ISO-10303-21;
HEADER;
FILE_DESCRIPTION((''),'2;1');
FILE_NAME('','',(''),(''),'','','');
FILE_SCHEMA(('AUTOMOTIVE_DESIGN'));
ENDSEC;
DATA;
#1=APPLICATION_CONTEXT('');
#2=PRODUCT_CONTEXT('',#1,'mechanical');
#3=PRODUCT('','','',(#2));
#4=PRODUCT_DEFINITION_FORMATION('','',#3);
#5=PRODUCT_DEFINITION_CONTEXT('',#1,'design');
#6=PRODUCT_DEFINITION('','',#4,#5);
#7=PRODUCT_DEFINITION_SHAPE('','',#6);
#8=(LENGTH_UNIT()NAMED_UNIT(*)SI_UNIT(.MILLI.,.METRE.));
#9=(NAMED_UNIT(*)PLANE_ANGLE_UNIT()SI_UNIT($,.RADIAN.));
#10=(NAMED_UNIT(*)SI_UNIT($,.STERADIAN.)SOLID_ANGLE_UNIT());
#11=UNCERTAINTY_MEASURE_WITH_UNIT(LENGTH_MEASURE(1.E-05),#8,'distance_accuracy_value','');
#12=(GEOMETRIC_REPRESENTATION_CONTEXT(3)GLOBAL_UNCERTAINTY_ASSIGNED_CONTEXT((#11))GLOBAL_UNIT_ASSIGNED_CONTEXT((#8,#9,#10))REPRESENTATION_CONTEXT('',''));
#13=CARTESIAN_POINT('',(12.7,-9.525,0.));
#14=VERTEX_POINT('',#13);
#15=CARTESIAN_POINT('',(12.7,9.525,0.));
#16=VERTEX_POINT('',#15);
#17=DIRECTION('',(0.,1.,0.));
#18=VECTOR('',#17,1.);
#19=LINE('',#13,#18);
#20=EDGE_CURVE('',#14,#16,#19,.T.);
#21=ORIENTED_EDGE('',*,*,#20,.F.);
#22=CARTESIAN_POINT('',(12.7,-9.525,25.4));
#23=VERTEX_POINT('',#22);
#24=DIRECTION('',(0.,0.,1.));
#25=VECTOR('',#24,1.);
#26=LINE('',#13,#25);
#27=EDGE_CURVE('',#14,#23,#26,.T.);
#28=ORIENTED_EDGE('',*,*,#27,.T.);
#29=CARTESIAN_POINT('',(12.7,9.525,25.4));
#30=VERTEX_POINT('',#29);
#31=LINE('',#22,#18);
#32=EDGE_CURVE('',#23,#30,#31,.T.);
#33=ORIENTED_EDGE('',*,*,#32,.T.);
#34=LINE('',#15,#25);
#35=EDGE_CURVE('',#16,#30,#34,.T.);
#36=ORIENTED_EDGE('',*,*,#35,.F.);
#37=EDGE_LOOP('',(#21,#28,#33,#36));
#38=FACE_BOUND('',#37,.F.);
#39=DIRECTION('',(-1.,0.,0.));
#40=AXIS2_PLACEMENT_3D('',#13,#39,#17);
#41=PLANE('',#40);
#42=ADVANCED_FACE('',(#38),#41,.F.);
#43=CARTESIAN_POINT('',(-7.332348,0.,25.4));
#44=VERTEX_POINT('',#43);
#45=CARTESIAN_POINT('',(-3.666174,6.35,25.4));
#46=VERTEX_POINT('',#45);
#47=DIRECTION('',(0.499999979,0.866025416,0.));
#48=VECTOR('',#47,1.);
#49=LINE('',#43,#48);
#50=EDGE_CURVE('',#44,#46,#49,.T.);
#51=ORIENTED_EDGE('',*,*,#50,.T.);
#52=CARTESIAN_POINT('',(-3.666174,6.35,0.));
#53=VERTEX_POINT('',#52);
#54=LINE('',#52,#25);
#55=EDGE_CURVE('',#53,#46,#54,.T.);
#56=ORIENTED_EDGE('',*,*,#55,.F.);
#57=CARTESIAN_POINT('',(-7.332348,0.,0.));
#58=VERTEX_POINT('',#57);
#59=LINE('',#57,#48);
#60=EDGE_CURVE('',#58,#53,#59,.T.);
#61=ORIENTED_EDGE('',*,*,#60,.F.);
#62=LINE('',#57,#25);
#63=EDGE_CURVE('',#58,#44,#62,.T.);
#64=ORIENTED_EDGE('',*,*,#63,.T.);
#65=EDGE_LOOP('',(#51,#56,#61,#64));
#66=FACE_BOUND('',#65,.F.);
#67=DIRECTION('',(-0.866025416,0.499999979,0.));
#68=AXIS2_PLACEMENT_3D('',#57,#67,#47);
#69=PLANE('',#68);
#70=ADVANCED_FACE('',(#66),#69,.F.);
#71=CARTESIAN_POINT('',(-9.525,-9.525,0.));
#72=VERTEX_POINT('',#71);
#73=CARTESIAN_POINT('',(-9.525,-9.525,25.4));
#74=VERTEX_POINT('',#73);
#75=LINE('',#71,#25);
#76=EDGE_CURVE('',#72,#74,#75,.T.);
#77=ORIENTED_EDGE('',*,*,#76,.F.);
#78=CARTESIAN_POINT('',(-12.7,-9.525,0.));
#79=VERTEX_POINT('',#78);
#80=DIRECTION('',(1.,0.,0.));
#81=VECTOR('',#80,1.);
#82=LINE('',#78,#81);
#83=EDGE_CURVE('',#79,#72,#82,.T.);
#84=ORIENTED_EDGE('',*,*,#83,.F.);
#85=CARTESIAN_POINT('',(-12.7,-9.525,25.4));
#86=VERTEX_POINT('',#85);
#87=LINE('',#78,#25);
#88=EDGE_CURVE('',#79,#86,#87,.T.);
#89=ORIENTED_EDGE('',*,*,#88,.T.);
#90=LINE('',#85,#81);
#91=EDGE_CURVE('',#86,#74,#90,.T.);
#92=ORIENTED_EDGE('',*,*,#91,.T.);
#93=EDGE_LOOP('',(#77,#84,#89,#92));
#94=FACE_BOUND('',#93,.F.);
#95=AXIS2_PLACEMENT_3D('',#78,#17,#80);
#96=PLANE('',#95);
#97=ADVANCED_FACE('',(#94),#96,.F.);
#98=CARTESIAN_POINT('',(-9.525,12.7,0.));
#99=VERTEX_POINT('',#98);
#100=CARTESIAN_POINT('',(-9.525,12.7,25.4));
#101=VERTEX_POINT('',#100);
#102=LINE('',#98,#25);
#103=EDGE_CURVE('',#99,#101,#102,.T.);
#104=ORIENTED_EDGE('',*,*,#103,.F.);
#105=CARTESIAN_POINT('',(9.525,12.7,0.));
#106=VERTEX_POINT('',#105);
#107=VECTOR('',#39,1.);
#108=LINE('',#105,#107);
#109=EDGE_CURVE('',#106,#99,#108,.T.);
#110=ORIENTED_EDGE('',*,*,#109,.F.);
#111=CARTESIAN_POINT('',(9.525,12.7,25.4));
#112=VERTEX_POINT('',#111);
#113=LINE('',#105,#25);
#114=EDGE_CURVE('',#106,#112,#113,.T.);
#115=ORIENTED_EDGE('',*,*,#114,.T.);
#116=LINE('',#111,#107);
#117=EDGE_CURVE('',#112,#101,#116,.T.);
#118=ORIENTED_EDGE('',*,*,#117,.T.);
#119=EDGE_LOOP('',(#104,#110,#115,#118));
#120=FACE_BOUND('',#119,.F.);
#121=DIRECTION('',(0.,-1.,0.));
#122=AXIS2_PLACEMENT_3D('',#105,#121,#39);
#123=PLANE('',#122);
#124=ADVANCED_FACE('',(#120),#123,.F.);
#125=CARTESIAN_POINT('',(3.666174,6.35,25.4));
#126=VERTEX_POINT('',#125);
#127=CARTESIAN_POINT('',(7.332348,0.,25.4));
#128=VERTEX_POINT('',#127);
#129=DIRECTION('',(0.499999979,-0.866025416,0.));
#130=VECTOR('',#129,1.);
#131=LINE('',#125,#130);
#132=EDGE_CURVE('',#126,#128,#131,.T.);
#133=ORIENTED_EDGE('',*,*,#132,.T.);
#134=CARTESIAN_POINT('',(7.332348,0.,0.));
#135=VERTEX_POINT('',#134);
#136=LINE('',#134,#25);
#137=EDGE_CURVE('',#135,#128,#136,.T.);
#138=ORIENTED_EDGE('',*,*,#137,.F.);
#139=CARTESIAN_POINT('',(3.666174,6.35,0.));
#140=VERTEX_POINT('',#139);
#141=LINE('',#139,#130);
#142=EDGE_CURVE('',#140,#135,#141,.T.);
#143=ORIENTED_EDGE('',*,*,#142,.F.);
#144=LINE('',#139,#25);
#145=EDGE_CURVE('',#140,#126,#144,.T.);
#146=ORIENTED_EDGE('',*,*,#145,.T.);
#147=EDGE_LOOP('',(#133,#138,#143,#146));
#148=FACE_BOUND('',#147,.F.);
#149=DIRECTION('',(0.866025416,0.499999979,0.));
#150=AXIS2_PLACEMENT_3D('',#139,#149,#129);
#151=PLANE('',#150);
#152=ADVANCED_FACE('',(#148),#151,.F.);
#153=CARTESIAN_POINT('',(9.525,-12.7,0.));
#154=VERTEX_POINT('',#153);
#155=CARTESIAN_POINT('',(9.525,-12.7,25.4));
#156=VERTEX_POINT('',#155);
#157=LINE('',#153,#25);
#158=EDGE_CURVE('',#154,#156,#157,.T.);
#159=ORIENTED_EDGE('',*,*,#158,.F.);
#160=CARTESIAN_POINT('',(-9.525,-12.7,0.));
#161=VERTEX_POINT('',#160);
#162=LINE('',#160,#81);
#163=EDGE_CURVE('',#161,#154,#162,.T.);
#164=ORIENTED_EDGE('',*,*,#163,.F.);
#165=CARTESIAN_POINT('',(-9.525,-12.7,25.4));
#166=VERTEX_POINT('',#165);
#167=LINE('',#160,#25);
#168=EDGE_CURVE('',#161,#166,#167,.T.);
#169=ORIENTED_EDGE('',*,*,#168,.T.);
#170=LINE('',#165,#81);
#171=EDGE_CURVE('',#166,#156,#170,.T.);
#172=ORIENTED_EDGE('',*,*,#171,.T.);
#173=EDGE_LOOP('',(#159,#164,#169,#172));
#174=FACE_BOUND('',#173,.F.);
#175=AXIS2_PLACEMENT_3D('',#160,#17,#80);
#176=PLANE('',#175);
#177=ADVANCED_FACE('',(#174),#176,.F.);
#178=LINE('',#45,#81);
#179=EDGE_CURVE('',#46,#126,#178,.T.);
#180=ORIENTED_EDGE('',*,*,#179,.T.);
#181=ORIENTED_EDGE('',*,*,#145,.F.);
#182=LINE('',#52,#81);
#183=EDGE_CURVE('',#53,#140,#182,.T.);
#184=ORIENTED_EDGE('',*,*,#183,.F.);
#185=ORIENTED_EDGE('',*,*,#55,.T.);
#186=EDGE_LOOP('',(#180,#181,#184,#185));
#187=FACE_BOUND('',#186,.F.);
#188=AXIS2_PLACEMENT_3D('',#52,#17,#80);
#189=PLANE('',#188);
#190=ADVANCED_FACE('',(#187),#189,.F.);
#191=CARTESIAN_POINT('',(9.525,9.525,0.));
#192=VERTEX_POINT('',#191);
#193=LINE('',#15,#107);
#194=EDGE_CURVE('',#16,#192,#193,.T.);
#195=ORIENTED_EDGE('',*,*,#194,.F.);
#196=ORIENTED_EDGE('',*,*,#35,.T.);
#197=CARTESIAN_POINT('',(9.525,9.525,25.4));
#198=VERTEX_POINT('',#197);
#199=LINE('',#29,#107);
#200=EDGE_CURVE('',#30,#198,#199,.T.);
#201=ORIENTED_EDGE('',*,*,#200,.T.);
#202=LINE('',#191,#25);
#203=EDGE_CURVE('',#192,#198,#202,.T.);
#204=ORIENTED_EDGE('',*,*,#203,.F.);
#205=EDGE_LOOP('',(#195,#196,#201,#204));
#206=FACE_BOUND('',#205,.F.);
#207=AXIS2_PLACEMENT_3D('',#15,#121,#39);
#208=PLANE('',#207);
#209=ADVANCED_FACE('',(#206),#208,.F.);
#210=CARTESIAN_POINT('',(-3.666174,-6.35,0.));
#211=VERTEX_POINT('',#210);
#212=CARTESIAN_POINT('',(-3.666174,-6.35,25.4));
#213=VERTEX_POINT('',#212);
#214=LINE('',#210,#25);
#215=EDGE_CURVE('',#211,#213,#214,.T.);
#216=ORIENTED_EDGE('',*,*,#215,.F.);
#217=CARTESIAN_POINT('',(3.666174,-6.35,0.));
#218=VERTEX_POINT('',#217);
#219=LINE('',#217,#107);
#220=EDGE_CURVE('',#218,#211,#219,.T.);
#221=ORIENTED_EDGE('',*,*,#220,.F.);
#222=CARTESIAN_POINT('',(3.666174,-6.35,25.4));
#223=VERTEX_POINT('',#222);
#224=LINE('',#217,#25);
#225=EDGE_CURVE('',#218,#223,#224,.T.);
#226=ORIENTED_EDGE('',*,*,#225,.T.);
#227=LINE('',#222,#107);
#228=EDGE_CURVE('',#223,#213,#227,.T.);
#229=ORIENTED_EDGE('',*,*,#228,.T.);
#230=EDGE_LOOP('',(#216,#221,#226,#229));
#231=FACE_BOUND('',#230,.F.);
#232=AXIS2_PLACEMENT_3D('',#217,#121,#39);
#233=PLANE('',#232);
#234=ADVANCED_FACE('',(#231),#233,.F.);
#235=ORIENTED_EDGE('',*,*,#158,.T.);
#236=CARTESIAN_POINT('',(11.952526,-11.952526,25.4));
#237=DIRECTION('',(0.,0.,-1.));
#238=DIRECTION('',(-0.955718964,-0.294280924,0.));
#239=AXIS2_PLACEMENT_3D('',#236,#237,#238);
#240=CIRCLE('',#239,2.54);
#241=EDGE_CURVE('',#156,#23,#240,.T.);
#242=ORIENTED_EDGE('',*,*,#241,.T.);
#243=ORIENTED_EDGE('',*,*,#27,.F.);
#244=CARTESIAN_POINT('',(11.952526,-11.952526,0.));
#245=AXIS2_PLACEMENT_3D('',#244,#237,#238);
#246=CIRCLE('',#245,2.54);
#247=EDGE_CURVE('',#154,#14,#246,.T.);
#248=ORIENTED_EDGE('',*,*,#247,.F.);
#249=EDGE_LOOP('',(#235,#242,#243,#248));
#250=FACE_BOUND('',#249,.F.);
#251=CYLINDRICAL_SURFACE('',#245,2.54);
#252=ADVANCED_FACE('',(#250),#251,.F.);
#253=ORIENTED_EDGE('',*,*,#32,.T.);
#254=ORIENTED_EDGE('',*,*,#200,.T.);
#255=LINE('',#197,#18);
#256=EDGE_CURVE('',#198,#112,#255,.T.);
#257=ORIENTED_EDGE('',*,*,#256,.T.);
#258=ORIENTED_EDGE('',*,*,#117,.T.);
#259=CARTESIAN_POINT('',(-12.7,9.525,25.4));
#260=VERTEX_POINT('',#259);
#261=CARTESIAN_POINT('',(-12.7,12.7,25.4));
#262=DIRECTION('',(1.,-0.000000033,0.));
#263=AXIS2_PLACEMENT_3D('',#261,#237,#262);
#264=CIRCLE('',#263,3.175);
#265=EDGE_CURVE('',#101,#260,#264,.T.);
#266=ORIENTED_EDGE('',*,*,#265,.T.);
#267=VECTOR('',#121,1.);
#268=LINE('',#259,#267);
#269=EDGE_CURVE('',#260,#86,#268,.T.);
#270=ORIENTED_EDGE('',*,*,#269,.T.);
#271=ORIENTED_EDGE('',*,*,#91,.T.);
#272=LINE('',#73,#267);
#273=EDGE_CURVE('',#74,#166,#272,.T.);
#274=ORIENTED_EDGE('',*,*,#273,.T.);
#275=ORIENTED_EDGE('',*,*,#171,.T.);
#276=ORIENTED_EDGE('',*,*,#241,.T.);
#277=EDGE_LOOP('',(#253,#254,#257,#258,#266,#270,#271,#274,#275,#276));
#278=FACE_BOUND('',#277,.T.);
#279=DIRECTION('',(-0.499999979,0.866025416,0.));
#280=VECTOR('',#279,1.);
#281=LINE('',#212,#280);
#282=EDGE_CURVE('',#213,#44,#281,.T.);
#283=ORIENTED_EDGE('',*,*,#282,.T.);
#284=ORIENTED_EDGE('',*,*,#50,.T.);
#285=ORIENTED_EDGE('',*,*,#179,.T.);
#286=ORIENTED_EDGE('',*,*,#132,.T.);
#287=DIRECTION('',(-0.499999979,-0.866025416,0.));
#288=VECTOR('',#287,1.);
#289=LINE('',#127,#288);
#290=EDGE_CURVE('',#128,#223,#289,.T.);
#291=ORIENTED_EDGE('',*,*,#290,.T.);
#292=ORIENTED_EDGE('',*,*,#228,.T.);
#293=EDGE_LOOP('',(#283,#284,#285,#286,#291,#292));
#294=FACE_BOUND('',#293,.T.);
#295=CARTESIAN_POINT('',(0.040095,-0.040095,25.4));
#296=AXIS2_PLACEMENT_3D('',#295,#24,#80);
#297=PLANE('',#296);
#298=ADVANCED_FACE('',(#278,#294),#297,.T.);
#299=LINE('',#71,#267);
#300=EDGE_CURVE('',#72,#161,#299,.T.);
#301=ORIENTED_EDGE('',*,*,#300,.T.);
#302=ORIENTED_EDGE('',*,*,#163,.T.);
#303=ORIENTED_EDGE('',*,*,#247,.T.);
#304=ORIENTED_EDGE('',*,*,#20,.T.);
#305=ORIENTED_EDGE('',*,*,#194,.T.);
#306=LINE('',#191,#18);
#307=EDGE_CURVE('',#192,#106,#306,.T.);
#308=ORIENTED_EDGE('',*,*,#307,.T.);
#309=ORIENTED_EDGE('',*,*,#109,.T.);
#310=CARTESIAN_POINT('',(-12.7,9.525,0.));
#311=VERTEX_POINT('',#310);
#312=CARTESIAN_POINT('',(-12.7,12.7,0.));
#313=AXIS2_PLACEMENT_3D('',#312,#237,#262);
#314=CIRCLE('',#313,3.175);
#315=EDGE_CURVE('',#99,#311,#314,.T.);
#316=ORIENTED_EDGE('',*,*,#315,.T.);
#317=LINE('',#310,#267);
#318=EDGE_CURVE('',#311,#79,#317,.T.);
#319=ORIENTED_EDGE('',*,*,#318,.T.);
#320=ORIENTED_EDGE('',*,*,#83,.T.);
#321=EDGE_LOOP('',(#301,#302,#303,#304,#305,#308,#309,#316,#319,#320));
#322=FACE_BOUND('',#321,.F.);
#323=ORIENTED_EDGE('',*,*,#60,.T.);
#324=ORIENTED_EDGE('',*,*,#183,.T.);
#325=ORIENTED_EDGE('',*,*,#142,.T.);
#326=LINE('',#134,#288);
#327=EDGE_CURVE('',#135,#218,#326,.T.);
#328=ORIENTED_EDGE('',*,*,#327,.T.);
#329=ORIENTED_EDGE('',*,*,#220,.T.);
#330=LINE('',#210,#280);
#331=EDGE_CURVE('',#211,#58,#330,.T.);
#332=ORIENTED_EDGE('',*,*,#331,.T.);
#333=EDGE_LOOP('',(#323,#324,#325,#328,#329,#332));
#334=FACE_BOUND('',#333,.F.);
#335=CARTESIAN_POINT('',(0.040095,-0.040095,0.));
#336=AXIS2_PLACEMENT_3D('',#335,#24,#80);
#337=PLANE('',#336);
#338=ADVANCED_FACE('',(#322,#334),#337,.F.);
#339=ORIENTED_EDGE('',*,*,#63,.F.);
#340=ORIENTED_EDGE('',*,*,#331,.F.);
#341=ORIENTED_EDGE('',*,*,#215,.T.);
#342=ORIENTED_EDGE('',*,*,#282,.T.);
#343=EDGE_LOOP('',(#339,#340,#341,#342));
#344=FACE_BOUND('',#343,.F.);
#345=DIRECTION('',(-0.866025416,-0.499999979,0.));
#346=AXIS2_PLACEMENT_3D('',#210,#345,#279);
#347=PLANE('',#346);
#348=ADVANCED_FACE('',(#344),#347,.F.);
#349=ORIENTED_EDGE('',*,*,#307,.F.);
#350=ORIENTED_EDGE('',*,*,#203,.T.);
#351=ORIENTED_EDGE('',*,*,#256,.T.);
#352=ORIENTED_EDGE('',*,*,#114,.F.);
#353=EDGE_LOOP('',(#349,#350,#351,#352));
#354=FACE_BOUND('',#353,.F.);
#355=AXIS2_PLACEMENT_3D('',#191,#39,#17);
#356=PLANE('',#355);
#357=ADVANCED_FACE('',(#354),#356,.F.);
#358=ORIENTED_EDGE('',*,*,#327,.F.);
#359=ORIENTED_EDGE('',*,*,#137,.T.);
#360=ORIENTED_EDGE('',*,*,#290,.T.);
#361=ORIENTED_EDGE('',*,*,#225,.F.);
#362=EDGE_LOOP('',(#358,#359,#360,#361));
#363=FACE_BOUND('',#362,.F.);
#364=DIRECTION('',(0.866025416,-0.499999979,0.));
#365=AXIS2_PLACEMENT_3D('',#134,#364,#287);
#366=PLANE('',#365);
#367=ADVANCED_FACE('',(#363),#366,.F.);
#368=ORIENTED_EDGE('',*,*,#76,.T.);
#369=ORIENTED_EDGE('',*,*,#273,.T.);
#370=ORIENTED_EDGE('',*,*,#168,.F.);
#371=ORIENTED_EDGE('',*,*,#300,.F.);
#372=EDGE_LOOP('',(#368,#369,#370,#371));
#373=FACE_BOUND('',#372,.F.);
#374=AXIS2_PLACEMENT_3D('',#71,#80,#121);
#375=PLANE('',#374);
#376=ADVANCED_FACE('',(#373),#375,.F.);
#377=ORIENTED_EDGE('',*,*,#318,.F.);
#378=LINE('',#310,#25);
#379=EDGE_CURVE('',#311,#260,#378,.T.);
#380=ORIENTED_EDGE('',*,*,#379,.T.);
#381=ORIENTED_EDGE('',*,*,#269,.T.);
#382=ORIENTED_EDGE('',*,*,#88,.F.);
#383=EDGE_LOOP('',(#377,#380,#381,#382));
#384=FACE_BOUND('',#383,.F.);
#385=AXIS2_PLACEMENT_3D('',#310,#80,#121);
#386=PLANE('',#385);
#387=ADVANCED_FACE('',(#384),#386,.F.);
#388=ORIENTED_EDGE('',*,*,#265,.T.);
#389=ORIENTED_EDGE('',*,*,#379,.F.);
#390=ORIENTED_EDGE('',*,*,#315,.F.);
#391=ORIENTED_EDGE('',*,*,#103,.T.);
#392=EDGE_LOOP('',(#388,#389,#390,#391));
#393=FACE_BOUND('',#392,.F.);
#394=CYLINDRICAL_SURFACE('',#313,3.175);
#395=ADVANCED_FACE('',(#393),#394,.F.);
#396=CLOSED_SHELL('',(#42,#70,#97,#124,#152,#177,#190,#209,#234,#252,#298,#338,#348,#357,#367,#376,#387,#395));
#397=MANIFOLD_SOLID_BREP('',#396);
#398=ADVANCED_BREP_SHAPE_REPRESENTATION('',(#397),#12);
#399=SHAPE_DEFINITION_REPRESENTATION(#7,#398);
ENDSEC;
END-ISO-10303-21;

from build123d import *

# Parameters (mm, degrees)
F1_DEPTH = 25.4


with BuildPart() as f1:
    # F0 (on Top) → F1 (new body)
    with BuildSketch(Plane.XY):
        with BuildLine():
            Line((9.525, 9.525), (9.525, 12.7))
            Line((9.525, 12.7), (-9.525, 12.7))
            ThreePointArc((-9.525, 12.7), (-10.454936, 10.454936), (-12.7, 9.525))
            Line((-12.7, 9.525), (-12.7, -9.525))
            Line((-12.7, -9.525), (-9.525, -9.525))
            Line((-9.525, -9.525), (-9.525, -12.7))
            Line((-9.525, -12.7), (9.525, -12.7))
            ThreePointArc((9.525, -12.7), (10.156475, -10.156475), (12.7, -9.525))
            Line((12.7, -9.525), (12.7, 9.525))
            Line((12.7, 9.525), (9.525, 9.525))
        make_face()
        Polygon((-3.666174, 6.35), (3.666174, 6.35), (7.332348, 0), (3.666174, -6.35), (-3.666174, -6.35), (-7.332348, 0), align=None, mode=Mode.SUBTRACT)
    extrude(amount=F1_DEPTH)


solid = f1.part
